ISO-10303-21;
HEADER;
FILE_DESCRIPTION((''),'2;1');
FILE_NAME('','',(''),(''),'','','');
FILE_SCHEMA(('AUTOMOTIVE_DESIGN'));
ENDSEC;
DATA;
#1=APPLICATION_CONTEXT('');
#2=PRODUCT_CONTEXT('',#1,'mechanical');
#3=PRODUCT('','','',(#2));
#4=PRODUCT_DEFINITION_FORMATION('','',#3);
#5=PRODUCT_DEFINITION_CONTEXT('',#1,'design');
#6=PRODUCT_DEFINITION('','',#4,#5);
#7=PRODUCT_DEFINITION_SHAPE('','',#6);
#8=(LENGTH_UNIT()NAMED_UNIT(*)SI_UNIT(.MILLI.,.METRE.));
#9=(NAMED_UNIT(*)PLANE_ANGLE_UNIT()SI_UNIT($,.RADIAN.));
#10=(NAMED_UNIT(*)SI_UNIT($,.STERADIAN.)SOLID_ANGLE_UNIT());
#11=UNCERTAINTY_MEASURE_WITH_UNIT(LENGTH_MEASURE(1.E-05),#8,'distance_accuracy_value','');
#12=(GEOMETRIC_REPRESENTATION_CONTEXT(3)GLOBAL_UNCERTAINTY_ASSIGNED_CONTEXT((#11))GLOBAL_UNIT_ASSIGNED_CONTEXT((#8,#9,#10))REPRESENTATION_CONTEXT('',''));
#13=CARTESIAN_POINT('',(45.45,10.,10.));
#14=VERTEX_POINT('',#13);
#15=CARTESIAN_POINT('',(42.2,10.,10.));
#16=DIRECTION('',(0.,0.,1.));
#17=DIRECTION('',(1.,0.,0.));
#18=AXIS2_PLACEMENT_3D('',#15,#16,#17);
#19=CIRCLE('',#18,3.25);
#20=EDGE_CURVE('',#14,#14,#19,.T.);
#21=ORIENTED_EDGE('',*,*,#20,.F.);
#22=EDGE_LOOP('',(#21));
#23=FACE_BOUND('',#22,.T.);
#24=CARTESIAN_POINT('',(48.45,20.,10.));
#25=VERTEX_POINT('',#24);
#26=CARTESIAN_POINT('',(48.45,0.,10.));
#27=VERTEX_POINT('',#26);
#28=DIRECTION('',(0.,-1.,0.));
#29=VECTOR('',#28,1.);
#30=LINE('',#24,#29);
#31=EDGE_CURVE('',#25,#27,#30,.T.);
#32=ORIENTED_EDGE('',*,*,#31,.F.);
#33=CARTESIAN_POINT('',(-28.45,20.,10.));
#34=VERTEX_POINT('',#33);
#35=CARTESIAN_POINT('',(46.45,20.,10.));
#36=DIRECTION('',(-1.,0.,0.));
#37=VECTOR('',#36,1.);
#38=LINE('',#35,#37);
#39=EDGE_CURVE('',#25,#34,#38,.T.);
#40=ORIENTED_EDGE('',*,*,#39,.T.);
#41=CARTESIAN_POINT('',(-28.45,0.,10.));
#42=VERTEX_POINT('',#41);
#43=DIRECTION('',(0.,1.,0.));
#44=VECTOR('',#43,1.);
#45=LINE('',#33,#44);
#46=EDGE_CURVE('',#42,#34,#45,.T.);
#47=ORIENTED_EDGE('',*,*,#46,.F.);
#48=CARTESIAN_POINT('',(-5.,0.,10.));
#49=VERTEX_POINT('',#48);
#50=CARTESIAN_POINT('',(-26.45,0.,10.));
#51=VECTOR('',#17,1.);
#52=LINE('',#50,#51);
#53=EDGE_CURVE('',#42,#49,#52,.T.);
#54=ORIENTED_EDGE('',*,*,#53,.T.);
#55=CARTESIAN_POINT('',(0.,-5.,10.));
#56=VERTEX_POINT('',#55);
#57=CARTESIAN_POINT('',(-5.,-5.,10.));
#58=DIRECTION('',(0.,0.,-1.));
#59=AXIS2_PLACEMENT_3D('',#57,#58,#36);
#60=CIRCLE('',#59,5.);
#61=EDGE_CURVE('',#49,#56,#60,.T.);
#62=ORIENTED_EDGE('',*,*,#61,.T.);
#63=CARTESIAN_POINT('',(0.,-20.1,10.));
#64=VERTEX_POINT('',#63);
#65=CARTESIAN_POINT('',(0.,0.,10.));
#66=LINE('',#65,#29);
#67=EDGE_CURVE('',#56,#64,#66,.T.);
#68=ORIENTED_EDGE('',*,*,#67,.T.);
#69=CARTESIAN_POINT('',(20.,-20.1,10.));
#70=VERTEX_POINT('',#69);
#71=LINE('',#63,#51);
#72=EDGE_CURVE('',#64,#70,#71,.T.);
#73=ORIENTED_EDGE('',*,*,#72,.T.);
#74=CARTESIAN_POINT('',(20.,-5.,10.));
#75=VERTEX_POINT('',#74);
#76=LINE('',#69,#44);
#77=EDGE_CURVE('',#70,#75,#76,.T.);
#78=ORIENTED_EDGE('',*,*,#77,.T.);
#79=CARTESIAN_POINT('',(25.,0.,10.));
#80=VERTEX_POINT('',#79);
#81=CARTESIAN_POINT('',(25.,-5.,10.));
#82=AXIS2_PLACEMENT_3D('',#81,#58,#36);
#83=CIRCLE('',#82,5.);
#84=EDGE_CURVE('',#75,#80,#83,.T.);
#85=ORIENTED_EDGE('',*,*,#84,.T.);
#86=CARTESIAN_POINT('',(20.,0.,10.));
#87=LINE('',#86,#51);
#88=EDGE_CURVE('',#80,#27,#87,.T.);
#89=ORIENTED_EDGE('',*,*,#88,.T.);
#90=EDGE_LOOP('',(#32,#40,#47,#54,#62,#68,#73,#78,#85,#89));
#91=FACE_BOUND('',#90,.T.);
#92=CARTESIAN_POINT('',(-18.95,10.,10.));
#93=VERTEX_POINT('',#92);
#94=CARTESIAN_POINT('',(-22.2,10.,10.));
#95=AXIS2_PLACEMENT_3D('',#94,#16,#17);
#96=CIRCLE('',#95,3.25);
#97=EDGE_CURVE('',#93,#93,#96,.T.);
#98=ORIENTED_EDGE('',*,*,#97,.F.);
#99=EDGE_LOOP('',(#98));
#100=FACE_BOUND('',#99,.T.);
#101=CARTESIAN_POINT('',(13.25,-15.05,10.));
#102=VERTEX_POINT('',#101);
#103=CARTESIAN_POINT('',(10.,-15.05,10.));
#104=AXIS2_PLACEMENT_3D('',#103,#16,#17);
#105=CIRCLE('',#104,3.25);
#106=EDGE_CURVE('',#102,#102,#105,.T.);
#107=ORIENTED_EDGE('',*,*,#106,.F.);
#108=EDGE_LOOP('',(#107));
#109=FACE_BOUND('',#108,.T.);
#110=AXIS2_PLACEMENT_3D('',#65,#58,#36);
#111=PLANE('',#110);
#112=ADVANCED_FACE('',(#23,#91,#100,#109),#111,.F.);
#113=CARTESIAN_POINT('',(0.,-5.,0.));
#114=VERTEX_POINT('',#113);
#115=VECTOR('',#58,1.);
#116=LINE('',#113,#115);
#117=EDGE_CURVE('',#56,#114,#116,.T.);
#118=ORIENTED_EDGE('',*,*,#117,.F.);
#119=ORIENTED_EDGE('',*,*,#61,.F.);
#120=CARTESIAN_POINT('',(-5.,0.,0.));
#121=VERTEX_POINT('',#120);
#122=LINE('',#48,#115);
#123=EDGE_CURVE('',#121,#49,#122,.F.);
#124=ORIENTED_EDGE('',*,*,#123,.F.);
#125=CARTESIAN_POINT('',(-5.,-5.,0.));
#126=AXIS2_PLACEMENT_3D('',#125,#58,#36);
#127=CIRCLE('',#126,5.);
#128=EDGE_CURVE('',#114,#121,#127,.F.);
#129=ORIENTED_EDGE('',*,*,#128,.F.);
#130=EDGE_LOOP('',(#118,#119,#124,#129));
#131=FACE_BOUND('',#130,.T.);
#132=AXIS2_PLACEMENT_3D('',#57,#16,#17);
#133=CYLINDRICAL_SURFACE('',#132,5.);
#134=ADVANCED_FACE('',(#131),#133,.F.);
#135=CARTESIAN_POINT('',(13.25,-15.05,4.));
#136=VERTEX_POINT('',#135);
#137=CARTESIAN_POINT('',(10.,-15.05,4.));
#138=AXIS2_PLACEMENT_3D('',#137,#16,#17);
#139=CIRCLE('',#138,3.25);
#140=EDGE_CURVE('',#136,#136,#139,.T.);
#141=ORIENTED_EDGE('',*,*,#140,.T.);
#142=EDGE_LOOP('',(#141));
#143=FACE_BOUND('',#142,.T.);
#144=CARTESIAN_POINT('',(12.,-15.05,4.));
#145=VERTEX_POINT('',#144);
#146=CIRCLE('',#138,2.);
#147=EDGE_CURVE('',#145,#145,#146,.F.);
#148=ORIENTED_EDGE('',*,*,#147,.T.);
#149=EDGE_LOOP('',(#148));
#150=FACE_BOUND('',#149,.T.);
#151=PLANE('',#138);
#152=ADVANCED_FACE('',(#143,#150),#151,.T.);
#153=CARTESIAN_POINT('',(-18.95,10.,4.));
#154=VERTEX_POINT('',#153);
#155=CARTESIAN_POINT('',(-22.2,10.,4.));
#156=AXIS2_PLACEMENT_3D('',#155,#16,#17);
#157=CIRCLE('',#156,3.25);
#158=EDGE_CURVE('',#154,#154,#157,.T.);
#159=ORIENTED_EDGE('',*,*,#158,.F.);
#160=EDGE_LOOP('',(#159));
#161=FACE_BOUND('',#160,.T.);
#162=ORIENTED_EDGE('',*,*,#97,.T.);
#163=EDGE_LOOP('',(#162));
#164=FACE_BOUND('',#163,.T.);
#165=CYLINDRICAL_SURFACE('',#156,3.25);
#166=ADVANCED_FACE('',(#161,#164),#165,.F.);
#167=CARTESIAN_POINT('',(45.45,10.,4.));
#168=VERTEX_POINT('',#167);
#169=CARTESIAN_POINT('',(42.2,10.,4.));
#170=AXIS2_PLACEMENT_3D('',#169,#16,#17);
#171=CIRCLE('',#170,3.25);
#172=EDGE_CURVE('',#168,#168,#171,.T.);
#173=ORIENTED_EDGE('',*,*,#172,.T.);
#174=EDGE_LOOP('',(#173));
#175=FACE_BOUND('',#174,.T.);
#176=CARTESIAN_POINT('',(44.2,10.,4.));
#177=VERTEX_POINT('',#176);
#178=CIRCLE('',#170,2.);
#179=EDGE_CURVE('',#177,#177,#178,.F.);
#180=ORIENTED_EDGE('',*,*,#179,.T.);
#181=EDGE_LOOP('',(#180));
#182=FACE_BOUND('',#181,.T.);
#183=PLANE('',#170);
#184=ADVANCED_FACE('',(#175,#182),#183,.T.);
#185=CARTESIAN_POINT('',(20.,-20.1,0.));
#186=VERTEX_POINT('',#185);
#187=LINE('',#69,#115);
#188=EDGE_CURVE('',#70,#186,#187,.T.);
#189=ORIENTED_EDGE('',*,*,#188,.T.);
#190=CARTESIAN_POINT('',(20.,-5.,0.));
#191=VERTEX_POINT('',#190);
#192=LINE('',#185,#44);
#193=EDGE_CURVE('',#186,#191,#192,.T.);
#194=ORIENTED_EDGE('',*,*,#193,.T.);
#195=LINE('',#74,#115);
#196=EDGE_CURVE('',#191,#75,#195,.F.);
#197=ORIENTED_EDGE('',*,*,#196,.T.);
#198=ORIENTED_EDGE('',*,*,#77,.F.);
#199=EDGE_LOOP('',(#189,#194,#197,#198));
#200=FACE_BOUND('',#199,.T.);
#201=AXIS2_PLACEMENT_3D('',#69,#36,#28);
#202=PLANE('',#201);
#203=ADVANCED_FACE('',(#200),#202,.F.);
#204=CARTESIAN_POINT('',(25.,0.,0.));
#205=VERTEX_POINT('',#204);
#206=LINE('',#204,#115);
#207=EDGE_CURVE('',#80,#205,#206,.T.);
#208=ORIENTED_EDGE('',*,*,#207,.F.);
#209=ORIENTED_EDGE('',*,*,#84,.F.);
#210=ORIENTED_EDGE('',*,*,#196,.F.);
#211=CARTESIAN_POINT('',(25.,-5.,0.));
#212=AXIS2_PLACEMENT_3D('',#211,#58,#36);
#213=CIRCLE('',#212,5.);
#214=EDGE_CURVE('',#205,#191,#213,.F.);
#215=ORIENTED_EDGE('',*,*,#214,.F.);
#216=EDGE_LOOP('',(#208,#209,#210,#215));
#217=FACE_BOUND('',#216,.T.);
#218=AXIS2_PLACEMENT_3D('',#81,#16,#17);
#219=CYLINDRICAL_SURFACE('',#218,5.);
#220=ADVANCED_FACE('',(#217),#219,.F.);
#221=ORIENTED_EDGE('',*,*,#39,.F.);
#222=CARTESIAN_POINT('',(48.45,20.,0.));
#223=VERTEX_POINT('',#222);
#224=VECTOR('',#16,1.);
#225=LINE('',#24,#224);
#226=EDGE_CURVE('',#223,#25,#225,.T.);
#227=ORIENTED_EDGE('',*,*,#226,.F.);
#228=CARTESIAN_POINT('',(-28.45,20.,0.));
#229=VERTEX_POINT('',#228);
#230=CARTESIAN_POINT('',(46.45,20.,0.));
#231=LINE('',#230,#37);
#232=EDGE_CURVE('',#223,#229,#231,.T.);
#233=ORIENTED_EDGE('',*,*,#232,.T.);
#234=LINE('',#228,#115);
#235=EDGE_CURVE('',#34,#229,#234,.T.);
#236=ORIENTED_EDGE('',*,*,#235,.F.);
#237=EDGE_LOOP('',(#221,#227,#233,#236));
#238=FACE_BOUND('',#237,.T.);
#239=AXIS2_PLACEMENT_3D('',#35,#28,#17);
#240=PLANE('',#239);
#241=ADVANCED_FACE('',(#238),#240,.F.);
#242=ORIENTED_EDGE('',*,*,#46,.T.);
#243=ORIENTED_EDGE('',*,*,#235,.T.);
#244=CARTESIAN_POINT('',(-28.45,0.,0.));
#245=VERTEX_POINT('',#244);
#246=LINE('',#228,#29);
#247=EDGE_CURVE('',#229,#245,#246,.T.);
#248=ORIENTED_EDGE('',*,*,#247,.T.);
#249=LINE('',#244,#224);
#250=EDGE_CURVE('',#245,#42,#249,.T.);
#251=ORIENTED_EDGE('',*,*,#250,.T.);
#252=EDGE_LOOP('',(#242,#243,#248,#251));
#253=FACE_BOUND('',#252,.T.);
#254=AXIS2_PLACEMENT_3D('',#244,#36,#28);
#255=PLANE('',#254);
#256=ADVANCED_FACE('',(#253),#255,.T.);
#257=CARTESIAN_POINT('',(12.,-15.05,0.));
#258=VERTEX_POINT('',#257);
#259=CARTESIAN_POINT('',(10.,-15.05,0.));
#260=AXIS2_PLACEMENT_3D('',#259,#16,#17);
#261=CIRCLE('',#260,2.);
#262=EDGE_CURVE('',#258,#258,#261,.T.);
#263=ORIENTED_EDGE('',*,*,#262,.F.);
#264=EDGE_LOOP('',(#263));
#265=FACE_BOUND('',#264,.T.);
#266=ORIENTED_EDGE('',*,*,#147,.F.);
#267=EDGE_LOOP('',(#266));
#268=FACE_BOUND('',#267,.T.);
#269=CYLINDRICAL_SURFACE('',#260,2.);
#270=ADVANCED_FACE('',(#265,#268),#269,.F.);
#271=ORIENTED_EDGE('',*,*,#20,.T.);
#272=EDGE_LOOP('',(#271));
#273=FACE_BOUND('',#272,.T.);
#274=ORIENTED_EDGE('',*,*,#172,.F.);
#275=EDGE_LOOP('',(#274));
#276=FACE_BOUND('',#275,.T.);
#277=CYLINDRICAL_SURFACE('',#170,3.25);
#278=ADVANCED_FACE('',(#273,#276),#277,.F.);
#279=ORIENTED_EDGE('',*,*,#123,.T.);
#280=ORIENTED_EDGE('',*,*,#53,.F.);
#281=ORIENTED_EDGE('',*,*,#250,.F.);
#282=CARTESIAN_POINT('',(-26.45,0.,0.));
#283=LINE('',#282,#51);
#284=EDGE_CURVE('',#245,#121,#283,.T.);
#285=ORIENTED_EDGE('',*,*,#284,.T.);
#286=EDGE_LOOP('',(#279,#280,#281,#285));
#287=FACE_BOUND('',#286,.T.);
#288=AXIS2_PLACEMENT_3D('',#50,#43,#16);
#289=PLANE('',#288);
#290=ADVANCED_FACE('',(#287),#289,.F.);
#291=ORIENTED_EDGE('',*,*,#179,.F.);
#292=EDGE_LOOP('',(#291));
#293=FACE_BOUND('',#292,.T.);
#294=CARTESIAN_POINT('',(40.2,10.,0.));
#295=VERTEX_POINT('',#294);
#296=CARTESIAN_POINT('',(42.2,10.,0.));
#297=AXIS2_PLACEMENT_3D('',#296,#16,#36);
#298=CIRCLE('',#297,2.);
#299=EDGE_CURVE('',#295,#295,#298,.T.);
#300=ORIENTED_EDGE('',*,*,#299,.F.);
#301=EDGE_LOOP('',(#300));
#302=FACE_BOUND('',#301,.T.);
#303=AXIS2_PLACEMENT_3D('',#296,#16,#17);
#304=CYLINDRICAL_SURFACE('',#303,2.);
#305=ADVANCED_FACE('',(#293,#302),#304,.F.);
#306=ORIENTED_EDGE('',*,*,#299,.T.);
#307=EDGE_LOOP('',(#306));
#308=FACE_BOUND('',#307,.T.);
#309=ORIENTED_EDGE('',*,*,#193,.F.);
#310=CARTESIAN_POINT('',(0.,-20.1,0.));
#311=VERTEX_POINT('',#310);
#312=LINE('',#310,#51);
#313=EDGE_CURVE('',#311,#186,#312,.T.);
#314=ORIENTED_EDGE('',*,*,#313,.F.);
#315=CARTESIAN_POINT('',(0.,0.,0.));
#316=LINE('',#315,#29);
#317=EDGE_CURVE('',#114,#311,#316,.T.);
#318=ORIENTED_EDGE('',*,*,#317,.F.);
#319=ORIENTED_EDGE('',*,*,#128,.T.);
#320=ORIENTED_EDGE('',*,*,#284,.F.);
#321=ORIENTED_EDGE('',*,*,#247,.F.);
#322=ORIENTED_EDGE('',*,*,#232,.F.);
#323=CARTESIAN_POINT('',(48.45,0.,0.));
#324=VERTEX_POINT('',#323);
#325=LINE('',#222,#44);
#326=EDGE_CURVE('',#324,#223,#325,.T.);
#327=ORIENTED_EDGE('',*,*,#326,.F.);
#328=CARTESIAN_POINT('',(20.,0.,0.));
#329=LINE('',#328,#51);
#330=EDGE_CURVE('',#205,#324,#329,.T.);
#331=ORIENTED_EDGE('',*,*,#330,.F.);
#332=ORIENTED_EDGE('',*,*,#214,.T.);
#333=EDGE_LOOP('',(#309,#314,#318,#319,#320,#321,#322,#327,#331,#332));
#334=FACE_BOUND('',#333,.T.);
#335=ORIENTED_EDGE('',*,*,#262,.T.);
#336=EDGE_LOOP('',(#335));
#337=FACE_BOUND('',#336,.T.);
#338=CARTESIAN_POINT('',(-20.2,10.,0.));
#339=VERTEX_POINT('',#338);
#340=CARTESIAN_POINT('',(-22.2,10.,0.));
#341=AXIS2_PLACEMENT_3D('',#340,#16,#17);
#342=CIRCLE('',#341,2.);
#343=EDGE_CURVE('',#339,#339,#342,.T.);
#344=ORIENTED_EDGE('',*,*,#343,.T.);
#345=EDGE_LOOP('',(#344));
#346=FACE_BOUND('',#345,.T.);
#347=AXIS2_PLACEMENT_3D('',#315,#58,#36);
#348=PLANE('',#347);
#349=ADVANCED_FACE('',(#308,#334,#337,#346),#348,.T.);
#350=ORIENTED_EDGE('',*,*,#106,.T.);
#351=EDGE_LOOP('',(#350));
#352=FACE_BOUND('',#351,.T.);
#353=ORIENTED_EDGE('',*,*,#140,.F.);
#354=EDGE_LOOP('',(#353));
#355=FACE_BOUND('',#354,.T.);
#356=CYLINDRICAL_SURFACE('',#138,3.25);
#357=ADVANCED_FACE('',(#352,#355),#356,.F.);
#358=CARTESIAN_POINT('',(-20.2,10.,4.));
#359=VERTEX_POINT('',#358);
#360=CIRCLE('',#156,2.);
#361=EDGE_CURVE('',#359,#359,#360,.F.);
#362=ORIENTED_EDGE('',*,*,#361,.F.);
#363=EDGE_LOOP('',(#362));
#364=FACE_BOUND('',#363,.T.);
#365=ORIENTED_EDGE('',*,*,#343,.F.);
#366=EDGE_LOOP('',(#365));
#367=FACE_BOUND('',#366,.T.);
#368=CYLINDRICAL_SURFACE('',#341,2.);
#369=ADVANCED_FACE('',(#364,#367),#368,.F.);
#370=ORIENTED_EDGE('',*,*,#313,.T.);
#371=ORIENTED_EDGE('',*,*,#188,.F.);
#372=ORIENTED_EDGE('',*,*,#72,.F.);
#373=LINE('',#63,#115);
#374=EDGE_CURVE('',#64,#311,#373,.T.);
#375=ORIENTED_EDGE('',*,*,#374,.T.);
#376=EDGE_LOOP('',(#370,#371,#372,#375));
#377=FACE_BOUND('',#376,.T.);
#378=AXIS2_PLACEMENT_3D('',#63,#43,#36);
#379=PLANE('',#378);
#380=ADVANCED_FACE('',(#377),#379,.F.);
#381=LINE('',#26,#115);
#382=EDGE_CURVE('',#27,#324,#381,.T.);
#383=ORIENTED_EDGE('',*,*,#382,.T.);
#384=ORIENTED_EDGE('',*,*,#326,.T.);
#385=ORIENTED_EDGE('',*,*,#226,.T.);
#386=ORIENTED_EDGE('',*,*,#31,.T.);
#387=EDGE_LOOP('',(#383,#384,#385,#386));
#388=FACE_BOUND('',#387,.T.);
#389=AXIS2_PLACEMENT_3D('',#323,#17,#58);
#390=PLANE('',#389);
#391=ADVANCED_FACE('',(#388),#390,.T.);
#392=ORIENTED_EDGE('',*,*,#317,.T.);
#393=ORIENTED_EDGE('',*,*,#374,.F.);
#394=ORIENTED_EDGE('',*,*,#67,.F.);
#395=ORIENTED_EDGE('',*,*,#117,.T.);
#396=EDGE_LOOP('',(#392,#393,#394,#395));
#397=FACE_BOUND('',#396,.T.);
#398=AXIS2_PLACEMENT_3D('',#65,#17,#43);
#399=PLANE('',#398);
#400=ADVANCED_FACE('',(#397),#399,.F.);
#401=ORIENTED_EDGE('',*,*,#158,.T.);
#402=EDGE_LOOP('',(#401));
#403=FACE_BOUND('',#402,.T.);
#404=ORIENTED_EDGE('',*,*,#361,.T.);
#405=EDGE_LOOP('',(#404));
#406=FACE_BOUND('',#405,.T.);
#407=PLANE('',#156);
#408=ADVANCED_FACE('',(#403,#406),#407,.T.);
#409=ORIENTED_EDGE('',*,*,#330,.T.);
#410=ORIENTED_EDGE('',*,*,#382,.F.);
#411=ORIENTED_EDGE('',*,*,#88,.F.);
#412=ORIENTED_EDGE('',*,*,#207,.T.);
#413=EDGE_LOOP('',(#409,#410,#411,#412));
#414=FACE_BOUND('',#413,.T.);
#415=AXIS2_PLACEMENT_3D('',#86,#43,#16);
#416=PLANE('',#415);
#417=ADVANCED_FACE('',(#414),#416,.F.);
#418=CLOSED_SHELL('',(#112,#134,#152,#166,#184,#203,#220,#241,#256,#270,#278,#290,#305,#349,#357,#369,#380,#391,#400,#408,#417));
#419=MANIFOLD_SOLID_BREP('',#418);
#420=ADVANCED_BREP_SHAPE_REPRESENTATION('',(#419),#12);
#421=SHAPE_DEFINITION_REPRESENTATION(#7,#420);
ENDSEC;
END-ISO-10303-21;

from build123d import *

# Parameters (mm, degrees)
BOSS_EXTRUDE1_DEPTH = 10
SKETCH2_R           = 2
CUT_EXTRUDE1_DEPTH  = 52.590817981
SKETCH3_R           = 3.25
CUT_EXTRUDE2_DEPTH  = 6
FILLET1_R           = 5
SKETCH4_W           = 10
SKETCH4_H           = 20
BOSS_EXTRUDE2_DEPTH = 2
SKETCH5_W           = 10
SKETCH5_H           = 20
BOSS_EXTRUDE3_DEPTH = 2


with BuildPart() as part:
    # Sketch1 → Boss-Extrude1 (new body)
    with BuildSketch(Plane.XY):
        Polygon((0, 0), (0, -20.1), (20, -20.1), (20, 0), (46.45, 0), (46.45, 20), (-26.45, 20), (-26.45, 0), align=None)
    extrude(amount=BOSS_EXTRUDE1_DEPTH)

    # Sketch2 → Cut-Extrude1 (cut, through all)
    with BuildSketch(Plane.XY.offset(10)):
        with Locations((-22.2, 10)):
            Circle(SKETCH2_R)
        with Locations((10, -15.05)):
            Circle(SKETCH2_R)
        with Locations(Location((42.2, 10, 0), (0, 0, 180))):
            Circle(SKETCH2_R)
    extrude(amount=-CUT_EXTRUDE1_DEPTH, mode=Mode.SUBTRACT)

    # Sketch3 → Cut-Extrude2 (cut)
    with BuildSketch(Plane.XY.offset(10)):
        with Locations((-22.2, 10)):
            Circle(SKETCH3_R)
        with Locations((42.2, 10)):
            Circle(SKETCH3_R)
        with Locations((10, -15.05)):
            Circle(SKETCH3_R)
    extrude(amount=-CUT_EXTRUDE2_DEPTH, mode=Mode.SUBTRACT)

    # Fillet1
    fillet1_edges = [part.edges().sort_by_distance(p)[0] for p in [
        (20, 0, 5),
        (0, 0, 5),
    ]]
    fillet(fillet1_edges, radius=FILLET1_R)

    # Sketch4 → Boss-Extrude2 (add)
    with BuildSketch(Plane(origin=(46.45, 0, 0), x_dir=(0, 0, -1), z_dir=(1, 0, 0))):
        with Locations((-5, 10)):
            Rectangle(SKETCH4_W, SKETCH4_H)
    extrude(amount=BOSS_EXTRUDE2_DEPTH)

    # Sketch5 → Boss-Extrude3 (add)
    with BuildSketch(Plane.ZY.offset(26.45)):
        with Locations((5, 10)):
            Rectangle(SKETCH5_W, SKETCH5_H)
    extrude(amount=BOSS_EXTRUDE3_DEPTH)


solid = part.part
